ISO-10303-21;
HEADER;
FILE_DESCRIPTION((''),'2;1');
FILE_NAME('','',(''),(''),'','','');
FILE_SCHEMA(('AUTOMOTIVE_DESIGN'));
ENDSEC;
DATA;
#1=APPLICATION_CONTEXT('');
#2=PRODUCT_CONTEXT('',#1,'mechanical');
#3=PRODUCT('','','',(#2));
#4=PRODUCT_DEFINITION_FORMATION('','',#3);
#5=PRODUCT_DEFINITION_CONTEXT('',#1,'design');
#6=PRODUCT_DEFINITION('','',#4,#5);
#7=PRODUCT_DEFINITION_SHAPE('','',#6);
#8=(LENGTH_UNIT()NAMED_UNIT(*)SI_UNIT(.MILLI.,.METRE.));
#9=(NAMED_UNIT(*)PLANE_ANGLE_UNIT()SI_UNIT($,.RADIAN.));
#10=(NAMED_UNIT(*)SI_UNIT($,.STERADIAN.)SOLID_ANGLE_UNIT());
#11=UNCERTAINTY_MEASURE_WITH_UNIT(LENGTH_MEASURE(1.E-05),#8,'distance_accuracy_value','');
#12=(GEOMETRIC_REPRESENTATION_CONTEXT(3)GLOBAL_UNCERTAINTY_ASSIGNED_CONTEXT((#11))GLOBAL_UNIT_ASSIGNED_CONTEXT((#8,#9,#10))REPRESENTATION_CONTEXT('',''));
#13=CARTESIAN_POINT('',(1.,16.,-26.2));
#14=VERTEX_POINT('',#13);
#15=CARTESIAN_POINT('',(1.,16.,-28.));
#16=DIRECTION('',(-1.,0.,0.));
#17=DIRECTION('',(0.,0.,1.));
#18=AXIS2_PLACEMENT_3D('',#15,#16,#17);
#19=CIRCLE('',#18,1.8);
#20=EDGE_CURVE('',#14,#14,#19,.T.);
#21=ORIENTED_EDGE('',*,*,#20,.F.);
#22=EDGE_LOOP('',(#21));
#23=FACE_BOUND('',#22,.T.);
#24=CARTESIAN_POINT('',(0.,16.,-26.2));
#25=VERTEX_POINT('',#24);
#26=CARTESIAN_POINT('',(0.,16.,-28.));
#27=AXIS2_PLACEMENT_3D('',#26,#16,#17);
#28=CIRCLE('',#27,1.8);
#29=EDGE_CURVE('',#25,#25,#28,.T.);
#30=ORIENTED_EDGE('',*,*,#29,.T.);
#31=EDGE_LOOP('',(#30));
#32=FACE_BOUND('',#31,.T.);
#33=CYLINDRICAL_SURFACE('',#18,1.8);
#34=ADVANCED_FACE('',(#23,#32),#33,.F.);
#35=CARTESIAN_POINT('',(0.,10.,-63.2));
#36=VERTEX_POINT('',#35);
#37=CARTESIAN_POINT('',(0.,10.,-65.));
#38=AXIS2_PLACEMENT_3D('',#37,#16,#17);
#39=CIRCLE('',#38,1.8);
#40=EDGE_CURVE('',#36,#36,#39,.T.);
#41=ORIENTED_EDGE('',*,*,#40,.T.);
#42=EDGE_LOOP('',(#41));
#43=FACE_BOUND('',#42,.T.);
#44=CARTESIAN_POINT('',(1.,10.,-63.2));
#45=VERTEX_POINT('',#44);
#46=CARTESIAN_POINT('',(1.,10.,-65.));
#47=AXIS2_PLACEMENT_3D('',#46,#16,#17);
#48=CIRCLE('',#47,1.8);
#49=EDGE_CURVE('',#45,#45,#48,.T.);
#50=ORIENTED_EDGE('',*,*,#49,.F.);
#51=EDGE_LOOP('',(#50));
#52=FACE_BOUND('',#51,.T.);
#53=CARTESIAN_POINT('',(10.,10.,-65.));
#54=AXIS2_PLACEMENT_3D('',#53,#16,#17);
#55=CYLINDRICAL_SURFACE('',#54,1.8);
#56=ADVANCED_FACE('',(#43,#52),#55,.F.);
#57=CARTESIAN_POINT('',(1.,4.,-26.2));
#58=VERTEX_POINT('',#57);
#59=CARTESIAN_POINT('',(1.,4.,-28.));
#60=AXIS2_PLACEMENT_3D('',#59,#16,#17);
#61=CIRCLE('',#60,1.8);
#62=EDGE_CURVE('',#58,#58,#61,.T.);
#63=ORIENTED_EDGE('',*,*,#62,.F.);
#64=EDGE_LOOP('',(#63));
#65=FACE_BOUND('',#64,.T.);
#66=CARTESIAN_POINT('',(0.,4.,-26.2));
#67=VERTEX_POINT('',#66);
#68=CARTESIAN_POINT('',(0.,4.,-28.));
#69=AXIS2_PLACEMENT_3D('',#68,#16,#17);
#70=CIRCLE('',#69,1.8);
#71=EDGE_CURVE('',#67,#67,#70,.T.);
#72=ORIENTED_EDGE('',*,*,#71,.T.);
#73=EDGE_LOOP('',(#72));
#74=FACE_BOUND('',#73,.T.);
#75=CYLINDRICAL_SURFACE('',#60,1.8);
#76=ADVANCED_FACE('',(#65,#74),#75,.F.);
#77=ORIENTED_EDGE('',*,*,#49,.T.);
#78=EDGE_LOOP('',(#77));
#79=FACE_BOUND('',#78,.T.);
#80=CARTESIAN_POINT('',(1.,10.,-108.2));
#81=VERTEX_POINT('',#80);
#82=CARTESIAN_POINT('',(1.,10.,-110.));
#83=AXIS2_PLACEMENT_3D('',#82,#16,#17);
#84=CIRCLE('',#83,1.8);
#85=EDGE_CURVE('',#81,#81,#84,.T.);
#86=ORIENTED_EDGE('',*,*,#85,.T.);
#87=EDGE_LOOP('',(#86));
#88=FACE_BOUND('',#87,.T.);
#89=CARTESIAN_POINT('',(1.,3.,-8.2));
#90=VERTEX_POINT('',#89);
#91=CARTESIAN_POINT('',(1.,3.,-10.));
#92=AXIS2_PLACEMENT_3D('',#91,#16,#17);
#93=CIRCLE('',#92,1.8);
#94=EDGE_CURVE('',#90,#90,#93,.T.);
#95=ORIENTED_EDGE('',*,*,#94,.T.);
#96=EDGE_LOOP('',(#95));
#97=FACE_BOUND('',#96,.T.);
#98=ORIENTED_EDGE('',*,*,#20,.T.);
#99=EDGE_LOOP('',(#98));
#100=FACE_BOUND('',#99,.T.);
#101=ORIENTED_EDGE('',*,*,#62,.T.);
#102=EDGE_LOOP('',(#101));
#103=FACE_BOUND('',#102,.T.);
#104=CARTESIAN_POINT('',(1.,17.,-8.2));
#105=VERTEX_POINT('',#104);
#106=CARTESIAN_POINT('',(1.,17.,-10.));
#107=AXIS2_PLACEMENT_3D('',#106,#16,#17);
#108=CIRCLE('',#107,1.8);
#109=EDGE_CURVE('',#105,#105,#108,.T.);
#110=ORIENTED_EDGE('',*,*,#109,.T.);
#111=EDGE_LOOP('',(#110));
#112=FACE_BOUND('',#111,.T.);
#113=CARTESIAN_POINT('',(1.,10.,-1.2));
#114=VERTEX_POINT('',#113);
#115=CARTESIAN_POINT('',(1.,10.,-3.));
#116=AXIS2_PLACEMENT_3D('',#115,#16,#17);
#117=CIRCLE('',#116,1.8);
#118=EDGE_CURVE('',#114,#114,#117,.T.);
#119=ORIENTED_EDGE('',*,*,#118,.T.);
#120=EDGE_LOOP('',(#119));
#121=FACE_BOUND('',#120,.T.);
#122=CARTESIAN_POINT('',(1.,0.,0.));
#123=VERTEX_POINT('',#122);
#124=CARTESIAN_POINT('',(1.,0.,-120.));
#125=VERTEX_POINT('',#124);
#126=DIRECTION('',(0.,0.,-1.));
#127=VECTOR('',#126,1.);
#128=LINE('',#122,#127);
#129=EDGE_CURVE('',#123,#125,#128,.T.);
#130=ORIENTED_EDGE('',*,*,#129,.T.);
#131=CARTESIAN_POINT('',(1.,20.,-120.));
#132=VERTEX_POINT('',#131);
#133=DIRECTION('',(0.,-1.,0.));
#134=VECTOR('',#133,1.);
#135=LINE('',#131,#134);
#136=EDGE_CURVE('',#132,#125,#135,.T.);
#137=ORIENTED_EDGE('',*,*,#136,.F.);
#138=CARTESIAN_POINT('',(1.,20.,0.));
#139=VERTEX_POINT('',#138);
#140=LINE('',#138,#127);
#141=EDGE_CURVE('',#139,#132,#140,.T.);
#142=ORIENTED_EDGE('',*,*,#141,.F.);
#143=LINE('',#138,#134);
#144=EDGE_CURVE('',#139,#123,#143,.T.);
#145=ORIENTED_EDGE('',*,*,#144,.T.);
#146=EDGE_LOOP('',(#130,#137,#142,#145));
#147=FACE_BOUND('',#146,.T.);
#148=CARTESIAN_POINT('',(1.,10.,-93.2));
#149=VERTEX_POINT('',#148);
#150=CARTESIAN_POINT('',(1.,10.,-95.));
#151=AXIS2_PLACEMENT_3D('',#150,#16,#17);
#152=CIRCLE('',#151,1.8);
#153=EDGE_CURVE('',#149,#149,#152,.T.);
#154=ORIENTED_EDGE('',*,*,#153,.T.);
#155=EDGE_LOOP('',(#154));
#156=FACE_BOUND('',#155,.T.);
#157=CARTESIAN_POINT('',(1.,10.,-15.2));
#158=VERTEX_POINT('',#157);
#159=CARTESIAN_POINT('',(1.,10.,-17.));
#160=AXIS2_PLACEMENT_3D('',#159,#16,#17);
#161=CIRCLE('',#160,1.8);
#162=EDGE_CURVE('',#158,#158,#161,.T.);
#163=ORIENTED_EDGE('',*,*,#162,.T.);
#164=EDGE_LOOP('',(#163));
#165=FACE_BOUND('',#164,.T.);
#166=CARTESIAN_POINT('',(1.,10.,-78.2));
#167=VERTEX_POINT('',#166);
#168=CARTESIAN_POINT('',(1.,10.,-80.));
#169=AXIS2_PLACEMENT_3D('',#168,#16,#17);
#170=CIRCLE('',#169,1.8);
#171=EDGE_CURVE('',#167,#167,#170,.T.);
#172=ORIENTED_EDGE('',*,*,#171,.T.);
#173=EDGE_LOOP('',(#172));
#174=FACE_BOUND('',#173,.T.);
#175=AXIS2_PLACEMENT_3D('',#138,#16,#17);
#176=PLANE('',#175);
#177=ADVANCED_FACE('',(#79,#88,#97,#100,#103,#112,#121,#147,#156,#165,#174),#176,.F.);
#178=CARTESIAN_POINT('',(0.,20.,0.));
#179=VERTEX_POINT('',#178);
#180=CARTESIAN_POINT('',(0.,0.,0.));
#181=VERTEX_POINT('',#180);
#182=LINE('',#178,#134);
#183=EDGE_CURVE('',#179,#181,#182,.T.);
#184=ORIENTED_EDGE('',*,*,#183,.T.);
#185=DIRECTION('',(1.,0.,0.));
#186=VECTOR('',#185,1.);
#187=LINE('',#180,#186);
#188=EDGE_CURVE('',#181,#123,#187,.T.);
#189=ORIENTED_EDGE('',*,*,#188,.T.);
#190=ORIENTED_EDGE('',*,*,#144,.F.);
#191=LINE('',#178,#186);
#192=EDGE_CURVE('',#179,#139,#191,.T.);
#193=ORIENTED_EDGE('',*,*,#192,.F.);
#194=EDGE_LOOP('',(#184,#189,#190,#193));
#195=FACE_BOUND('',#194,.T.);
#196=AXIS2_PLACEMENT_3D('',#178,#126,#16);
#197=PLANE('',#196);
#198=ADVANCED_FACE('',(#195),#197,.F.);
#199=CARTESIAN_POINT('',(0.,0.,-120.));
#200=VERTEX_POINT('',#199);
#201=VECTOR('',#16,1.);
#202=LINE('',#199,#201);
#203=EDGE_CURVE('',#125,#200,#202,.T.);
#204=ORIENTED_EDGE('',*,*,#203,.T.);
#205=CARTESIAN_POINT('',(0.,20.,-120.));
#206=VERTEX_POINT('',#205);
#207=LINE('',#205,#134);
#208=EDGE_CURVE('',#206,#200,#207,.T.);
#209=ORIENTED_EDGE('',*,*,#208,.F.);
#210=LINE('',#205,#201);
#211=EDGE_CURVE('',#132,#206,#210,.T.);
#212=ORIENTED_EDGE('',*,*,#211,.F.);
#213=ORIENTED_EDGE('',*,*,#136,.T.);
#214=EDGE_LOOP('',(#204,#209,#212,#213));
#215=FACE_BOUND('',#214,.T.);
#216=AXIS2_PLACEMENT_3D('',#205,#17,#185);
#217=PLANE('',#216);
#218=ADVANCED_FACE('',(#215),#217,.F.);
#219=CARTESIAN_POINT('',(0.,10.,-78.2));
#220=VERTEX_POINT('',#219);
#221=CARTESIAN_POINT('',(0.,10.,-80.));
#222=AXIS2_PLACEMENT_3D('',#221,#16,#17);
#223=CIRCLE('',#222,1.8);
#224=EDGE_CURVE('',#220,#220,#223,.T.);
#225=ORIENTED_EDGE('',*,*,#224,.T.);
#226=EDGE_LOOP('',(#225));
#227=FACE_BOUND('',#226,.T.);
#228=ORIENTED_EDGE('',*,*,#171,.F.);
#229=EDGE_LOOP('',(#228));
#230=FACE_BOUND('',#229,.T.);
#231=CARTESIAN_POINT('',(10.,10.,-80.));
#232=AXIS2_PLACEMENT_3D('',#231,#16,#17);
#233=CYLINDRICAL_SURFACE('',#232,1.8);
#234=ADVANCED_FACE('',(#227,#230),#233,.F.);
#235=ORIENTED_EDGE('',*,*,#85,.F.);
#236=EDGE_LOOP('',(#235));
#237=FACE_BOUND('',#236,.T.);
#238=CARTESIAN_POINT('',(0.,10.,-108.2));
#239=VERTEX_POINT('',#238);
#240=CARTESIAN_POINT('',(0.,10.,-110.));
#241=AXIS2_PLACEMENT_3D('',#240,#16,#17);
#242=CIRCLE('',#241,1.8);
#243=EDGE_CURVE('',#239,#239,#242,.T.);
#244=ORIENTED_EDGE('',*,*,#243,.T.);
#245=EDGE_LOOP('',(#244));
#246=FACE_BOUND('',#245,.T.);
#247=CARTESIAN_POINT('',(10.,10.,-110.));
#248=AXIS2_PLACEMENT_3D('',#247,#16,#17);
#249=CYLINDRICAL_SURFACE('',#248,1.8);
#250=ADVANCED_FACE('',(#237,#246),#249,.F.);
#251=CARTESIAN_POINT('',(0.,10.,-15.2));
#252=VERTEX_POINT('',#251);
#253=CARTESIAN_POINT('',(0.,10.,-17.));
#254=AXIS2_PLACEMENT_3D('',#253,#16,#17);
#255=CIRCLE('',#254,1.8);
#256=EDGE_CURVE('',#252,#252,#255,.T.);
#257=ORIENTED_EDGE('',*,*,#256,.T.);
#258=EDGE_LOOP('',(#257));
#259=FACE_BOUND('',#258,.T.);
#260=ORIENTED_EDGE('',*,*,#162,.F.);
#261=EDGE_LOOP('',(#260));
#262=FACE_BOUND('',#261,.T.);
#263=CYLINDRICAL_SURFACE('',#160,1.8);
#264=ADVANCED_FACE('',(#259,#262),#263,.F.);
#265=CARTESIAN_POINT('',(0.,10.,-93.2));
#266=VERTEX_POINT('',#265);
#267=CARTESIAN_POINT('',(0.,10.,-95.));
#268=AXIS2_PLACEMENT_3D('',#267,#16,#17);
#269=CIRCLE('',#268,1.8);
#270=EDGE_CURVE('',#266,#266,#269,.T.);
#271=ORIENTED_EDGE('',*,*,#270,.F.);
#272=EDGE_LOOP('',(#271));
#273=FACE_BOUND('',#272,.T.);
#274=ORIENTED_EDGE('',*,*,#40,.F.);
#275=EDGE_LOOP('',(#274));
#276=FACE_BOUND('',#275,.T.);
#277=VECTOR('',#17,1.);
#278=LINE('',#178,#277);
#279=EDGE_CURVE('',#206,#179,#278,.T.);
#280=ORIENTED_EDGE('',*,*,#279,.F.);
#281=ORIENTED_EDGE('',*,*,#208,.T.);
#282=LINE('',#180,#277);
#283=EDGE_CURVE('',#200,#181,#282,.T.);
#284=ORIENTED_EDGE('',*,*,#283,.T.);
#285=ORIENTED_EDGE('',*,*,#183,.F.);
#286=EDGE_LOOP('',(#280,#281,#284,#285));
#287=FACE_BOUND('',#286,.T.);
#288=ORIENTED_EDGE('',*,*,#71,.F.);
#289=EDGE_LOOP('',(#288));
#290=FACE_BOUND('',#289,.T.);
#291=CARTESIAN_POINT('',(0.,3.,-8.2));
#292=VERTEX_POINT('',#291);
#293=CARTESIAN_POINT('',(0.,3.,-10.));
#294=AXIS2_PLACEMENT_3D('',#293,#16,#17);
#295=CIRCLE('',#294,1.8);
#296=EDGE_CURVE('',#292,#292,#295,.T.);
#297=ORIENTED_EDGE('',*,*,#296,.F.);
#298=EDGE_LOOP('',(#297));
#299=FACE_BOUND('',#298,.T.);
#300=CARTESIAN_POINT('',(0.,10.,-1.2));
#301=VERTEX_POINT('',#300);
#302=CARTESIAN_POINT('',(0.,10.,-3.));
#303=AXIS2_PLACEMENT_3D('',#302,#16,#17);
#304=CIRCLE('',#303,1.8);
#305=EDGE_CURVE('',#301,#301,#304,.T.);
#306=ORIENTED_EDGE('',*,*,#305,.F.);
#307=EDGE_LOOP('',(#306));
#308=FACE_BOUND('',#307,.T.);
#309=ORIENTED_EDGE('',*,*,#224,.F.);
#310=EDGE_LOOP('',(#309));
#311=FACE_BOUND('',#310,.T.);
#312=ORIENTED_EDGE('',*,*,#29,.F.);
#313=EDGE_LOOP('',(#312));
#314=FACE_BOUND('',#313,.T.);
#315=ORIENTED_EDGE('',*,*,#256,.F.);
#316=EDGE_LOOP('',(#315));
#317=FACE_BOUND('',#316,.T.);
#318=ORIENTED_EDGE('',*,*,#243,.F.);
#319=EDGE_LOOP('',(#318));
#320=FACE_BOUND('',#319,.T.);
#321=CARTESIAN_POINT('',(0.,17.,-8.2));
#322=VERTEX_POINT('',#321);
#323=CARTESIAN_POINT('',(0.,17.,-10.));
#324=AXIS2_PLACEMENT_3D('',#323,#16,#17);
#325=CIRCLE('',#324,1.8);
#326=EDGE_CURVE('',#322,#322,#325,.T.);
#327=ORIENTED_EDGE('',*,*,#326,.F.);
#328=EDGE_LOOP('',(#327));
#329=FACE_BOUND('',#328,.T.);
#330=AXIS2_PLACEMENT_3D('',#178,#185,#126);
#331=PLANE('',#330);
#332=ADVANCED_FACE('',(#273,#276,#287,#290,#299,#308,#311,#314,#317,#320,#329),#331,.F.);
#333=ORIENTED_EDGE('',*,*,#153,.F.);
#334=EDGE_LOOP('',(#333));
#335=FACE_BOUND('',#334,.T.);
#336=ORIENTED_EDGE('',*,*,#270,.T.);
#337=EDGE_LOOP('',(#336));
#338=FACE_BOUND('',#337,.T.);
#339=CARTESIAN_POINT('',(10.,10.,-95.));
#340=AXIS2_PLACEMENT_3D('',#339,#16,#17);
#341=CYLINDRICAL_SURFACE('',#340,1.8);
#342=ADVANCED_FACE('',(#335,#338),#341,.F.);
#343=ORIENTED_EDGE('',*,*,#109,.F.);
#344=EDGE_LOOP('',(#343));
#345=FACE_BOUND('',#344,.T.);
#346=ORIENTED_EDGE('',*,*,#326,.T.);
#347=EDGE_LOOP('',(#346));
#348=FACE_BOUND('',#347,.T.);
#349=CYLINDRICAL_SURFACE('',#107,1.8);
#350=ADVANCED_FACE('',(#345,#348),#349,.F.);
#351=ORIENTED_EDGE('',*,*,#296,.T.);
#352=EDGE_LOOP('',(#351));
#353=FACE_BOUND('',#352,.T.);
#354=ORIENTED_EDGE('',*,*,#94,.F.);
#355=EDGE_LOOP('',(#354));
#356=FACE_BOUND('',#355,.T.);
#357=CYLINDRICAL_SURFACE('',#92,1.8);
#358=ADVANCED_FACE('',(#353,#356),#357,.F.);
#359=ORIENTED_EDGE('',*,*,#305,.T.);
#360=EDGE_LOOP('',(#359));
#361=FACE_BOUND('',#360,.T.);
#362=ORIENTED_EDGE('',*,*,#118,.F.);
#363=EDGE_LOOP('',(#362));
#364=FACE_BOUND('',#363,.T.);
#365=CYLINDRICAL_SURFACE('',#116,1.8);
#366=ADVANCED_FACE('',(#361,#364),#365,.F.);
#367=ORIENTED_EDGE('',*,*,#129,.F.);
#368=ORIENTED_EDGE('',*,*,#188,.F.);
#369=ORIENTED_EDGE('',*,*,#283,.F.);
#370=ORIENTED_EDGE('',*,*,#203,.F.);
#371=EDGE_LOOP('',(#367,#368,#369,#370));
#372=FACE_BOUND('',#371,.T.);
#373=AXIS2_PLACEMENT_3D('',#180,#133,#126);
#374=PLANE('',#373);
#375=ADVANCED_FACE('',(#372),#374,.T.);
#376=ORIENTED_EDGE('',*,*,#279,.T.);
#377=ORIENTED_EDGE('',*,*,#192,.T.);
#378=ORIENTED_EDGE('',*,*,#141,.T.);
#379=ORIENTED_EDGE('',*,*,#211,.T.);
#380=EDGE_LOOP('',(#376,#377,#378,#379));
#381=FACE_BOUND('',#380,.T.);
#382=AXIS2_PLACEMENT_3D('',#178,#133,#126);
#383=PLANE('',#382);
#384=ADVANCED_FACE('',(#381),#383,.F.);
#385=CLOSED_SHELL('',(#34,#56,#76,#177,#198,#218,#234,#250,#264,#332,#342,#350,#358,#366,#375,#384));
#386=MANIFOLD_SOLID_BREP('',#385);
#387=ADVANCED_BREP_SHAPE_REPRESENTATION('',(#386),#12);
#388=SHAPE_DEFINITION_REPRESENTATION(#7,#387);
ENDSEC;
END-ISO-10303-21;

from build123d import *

# Parameters (mm, degrees)
SKETCH_1_W          = 1
SKETCH_1_H          = 120
EXTRUDE_1_DEPTH     = 20
SKETCH_2_R          = 1.8
CUT_EXTRUDE_1_DEPTH = 122.659360511
SKETCH_3_R          = 1.8
CUT_EXTRUDE_3_DEPTH = 10
SKETCH_4_R          = 1.8
CUT_EXTRUDE_4_DEPTH = 122.659360511


with BuildPart() as part:
    # 草图1 → 凸台-拉伸1 (new body)
    with BuildSketch(Plane(origin=(0, 0, 0), x_dir=(1, 0, 0), z_dir=(0, 1, 0))):
        with Locations((0.5, 60)):
            Rectangle(SKETCH_1_W, SKETCH_1_H)
    extrude(amount=EXTRUDE_1_DEPTH)

    # 草图2 → 切除-拉伸1 (cut, through all)
    with BuildSketch(Plane.ZY):
        with Locations((-10, 17)):
            Circle(SKETCH_2_R)
        with Locations((-17, 10)):
            Circle(SKETCH_2_R)
        with Locations((-3, 10)):
            Circle(SKETCH_2_R)
        with Locations((-10, 3)):
            Circle(SKETCH_2_R)
    extrude(amount=-CUT_EXTRUDE_1_DEPTH, mode=Mode.SUBTRACT)

    # 草图3 → 切除-拉伸3 (cut)
    with BuildSketch(Plane.ZY):
        with Locations((-110, 10)):
            Circle(SKETCH_3_R)
        with Locations((-95, 10)):
            Circle(SKETCH_3_R)
        with Locations((-80, 10)):
            Circle(SKETCH_3_R)
        with Locations((-65, 10)):
            Circle(SKETCH_3_R)
    extrude(amount=-CUT_EXTRUDE_3_DEPTH, mode=Mode.SUBTRACT)

    # 草图4 → 切除-拉伸4 (cut, through all)
    with BuildSketch(Plane.ZY):
        with Locations((-28, 16)):
            Circle(SKETCH_4_R)
        with Locations((-28, 4)):
            Circle(SKETCH_4_R)
    extrude(amount=-CUT_EXTRUDE_4_DEPTH, mode=Mode.SUBTRACT)


solid = part.part
